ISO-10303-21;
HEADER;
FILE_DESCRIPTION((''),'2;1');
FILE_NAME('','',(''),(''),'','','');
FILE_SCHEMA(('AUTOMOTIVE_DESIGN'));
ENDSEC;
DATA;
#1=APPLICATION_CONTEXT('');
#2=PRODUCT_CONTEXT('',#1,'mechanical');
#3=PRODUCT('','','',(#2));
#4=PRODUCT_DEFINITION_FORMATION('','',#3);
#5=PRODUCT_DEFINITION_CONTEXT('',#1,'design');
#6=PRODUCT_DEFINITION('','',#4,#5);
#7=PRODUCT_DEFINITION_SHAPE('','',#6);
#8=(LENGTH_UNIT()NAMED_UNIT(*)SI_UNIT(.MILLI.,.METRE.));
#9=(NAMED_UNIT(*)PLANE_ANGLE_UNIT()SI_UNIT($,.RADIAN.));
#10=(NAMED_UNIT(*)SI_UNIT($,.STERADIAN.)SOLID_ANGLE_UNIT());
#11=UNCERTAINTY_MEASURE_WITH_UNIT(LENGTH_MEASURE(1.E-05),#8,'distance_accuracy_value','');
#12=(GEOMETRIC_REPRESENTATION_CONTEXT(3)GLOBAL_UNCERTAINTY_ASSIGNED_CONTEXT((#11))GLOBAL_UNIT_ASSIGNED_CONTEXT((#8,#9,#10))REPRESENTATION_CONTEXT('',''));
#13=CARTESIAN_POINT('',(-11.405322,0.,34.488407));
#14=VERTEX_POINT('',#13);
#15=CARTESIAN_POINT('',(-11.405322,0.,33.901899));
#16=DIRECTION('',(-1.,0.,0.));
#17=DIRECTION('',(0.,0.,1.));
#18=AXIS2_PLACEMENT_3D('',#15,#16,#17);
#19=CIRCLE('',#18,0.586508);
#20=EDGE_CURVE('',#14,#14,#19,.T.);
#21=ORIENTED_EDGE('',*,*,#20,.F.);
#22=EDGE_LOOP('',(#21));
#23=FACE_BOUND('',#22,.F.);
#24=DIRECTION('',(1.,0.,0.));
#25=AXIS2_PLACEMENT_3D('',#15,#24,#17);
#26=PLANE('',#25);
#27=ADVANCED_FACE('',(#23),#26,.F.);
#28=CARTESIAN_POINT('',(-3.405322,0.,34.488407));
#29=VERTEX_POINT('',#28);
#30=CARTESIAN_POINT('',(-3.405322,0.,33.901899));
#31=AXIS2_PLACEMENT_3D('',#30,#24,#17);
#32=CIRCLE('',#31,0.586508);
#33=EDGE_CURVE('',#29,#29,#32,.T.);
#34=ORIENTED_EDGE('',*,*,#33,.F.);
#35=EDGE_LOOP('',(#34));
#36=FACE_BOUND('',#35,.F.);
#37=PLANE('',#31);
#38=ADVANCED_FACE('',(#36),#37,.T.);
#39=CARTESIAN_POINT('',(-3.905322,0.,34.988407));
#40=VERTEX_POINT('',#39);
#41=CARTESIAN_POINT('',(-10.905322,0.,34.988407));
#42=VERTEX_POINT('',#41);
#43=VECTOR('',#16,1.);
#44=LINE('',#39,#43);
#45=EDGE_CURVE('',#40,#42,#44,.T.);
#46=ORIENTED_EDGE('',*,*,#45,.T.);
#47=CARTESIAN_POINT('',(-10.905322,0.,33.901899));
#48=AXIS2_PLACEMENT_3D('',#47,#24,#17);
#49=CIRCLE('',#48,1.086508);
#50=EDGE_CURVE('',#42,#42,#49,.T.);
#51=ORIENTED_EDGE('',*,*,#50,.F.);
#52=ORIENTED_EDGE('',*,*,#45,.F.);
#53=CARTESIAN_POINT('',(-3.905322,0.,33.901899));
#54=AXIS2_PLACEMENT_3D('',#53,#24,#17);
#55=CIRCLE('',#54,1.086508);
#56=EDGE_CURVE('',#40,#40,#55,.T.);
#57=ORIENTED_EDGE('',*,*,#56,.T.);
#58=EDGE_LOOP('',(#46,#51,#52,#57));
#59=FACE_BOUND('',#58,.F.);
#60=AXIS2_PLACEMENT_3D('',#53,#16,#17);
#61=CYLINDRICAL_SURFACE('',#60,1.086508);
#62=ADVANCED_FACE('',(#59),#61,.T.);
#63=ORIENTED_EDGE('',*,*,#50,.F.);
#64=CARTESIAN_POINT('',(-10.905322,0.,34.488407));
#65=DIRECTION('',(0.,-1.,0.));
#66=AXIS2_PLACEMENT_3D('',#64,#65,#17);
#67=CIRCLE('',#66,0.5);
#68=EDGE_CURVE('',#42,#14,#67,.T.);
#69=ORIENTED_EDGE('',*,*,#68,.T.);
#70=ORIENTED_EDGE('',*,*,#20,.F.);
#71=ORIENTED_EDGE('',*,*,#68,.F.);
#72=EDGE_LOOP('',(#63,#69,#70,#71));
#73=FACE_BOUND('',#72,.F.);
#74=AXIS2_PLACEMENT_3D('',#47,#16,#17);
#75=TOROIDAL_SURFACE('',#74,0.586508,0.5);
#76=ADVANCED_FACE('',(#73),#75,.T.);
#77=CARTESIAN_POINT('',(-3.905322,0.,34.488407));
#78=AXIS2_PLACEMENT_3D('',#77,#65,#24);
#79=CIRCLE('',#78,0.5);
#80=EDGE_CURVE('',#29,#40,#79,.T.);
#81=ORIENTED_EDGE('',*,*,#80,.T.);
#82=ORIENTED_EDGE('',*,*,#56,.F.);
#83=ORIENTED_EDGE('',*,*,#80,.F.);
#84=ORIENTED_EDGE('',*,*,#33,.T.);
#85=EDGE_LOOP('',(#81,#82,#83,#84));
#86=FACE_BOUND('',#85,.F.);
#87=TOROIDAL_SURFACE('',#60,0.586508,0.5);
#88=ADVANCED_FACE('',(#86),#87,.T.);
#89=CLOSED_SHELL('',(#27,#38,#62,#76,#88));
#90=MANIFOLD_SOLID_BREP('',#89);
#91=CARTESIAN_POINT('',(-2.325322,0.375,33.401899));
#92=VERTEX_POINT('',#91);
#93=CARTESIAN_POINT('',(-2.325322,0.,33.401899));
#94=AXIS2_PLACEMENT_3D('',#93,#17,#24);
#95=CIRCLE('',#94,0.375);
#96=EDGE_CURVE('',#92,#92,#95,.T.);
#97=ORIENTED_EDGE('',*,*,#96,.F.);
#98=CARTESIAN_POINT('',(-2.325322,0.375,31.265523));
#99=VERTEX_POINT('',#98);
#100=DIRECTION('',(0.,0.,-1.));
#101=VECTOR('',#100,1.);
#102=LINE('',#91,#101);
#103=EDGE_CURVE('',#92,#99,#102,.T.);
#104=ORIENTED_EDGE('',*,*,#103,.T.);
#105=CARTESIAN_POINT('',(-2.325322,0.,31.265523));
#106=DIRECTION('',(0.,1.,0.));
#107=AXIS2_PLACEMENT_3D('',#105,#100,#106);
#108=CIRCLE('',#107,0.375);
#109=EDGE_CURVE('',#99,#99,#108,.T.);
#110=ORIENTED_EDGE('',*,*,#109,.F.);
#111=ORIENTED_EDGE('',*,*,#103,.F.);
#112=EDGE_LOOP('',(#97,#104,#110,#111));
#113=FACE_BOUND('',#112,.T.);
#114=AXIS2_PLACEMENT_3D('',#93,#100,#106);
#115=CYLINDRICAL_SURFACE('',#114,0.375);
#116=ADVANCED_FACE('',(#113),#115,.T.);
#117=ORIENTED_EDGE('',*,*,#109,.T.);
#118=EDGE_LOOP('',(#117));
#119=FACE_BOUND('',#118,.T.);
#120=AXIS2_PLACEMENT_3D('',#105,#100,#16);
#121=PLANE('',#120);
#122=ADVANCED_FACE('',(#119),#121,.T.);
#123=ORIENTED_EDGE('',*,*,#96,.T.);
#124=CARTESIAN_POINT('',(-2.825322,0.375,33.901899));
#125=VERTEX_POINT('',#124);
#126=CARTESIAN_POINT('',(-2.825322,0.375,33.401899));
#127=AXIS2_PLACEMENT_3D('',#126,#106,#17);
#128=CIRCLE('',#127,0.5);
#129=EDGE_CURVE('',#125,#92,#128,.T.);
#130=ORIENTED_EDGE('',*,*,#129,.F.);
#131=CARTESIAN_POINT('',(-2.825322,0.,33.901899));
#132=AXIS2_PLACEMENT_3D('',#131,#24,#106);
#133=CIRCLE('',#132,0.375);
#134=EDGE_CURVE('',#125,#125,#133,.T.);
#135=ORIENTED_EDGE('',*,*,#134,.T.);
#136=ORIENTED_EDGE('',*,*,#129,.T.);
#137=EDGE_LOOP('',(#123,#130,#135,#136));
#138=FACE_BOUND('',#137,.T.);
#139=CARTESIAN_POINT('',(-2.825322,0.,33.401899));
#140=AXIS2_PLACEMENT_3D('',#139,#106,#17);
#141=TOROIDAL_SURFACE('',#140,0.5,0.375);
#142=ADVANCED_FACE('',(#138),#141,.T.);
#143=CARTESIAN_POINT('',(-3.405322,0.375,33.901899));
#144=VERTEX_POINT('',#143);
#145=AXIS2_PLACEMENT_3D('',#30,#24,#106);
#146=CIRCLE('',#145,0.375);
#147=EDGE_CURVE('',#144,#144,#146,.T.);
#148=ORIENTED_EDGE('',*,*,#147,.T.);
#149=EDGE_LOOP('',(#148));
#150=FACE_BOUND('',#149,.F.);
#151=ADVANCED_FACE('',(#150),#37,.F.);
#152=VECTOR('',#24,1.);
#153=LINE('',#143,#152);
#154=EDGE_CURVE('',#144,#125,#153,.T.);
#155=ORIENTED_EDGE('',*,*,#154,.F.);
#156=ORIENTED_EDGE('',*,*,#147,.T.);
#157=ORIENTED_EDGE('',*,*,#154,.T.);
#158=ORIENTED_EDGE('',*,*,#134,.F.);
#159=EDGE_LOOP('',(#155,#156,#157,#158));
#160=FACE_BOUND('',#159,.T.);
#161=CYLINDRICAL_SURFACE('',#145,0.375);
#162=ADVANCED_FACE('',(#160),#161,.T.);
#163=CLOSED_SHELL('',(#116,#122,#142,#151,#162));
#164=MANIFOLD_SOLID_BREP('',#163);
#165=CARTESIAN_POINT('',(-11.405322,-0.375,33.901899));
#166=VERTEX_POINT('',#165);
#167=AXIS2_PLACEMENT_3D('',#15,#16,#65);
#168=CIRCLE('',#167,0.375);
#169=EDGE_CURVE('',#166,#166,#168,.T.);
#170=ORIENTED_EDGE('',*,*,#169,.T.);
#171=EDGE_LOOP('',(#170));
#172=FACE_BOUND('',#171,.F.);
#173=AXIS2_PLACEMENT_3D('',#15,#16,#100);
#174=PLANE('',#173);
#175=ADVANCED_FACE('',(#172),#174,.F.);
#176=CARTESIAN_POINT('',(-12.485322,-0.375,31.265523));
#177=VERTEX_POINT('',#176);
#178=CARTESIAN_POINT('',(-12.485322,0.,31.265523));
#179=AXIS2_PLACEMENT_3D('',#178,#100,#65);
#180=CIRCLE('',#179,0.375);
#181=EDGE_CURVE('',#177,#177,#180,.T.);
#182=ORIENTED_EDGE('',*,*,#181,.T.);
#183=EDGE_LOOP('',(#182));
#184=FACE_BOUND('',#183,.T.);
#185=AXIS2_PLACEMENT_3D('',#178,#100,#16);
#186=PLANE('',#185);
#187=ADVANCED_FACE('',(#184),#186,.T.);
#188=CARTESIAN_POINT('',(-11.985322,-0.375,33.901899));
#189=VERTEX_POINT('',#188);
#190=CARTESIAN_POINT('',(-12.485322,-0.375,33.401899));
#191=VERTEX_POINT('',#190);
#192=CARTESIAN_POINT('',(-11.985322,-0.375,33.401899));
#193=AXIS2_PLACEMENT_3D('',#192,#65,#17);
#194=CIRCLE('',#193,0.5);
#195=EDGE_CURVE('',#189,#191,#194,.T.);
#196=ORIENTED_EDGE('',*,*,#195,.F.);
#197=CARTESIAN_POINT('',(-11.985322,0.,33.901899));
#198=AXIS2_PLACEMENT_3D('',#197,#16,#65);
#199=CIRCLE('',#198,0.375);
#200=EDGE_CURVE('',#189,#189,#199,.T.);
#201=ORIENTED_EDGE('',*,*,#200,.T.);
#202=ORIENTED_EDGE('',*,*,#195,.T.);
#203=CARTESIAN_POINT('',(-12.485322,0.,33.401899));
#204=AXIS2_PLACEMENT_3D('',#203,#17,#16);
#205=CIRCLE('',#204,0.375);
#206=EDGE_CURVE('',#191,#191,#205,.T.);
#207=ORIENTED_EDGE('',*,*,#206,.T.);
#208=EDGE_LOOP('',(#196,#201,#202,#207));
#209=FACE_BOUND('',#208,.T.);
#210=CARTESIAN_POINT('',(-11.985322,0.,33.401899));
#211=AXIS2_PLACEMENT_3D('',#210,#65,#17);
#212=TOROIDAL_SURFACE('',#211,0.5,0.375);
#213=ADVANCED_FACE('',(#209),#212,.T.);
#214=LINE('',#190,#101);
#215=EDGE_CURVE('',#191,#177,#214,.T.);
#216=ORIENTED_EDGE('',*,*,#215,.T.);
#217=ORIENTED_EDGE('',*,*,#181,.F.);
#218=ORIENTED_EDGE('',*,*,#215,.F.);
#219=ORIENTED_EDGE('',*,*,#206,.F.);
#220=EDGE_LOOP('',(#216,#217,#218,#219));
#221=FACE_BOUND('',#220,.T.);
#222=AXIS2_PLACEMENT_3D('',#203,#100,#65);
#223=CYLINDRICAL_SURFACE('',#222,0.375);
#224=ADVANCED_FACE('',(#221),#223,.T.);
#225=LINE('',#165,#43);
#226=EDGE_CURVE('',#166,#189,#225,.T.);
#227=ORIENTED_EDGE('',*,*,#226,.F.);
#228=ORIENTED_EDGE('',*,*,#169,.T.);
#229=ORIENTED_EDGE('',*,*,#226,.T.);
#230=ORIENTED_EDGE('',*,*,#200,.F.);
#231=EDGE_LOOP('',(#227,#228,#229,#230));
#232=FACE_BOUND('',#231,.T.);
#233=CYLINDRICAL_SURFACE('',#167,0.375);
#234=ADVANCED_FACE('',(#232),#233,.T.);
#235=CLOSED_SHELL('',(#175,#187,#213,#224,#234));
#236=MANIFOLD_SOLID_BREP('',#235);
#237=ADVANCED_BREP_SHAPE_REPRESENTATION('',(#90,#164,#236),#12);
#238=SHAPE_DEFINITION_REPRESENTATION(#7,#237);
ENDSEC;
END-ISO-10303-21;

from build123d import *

# Parameters (mm, degrees)
F1_FACE_R = 0.5865084266
F3_R      = 0.375
F5_R      = 0.375


with BuildPart() as f1:
    # F0 (on Front) → F1 (revolve)
    with BuildSketch(Plane.XZ):
        with BuildLine():
            Line((-11.4053217933, 34.4884074648), (-11.4053217933, 33.9018990382))
            Line((-11.4053217933, 33.9018990382), (-3.4053217933, 33.9018990382))
            Line((-3.4053217933, 33.9018990382), (-3.4053217933, 34.4884074648))
            ThreePointArc((-3.4053217933, 34.4884074648), (-3.5517684027, 34.8419608554), (-3.9053217933, 34.9884074648))
            Line((-3.9053217933, 34.9884074648), (-10.9053217933, 34.9884074648))
            ThreePointArc((-10.9053217933, 34.9884074648), (-11.2588751839, 34.8419608554), (-11.4053217933, 34.4884074648))
        make_face()
    revolve(axis=Axis((-7.1268200491, 0, 33.9018990382), (1, 0, 0)))

    # F2: sweep along a path in F0
    with BuildLine(Plane.XZ) as f2_path:
        Line((-11.4053217933, 33.9018990382), (-11.9853217933, 33.9018990382))
    # F1_face (on face) → F2 (sweep, cut)
    with BuildSketch(Plane(origin=(-11.4053217933, 0, 33.9018990382), x_dir=(0, -1, 0), z_dir=(-1, 0, 0))):
        Circle(F1_FACE_R)
    sweep(path=f2_path.line, mode=Mode.SUBTRACT)


with BuildPart() as f4:
    # F4: sweep along a path in F0
    with BuildLine(Plane.XZ) as f4_path:
        Line((-11.4053217933, 33.9018990382), (-11.9853217933, 33.9018990382))
        ThreePointArc((-11.9853217933, 33.9018990382), (-12.3388751839, 33.7554524288), (-12.4853217933, 33.4018990382))
        Line((-12.4853217933, 33.4018990382), (-12.4853217933, 31.2655232847))
    # F3 (on face) → F4 (sweep)
    with BuildSketch(Plane(origin=(-11.4053217933, 0, 0), x_dir=(0, -1, 0), z_dir=(-1, 0, 0))):
        with Locations((0, 33.9018990382)):
            Circle(F3_R)
    sweep(path=f4_path.line)


with BuildPart() as f6:
    # F6: sweep along a path in F0
    with BuildLine(Plane.XZ) as f6_path:
        Line((-3.4053217933, 33.9018990382), (-2.8253217933, 33.9018990382))
        ThreePointArc((-2.8253217933, 33.9018990382), (-2.4717684027, 33.7554524288), (-2.3253217933, 33.4018990382))
        Line((-2.3253217933, 33.4018990382), (-2.3253217933, 31.2655232847))
    # F5 (on face) → F6 (sweep)
    with BuildSketch(Plane.YZ.offset(-3.4053217933)):
        with Locations((0, 33.9018990382)):
            Circle(F5_R)
    sweep(path=f6_path.line)


solid = Compound([f1.part, f4.part, f6.part])
